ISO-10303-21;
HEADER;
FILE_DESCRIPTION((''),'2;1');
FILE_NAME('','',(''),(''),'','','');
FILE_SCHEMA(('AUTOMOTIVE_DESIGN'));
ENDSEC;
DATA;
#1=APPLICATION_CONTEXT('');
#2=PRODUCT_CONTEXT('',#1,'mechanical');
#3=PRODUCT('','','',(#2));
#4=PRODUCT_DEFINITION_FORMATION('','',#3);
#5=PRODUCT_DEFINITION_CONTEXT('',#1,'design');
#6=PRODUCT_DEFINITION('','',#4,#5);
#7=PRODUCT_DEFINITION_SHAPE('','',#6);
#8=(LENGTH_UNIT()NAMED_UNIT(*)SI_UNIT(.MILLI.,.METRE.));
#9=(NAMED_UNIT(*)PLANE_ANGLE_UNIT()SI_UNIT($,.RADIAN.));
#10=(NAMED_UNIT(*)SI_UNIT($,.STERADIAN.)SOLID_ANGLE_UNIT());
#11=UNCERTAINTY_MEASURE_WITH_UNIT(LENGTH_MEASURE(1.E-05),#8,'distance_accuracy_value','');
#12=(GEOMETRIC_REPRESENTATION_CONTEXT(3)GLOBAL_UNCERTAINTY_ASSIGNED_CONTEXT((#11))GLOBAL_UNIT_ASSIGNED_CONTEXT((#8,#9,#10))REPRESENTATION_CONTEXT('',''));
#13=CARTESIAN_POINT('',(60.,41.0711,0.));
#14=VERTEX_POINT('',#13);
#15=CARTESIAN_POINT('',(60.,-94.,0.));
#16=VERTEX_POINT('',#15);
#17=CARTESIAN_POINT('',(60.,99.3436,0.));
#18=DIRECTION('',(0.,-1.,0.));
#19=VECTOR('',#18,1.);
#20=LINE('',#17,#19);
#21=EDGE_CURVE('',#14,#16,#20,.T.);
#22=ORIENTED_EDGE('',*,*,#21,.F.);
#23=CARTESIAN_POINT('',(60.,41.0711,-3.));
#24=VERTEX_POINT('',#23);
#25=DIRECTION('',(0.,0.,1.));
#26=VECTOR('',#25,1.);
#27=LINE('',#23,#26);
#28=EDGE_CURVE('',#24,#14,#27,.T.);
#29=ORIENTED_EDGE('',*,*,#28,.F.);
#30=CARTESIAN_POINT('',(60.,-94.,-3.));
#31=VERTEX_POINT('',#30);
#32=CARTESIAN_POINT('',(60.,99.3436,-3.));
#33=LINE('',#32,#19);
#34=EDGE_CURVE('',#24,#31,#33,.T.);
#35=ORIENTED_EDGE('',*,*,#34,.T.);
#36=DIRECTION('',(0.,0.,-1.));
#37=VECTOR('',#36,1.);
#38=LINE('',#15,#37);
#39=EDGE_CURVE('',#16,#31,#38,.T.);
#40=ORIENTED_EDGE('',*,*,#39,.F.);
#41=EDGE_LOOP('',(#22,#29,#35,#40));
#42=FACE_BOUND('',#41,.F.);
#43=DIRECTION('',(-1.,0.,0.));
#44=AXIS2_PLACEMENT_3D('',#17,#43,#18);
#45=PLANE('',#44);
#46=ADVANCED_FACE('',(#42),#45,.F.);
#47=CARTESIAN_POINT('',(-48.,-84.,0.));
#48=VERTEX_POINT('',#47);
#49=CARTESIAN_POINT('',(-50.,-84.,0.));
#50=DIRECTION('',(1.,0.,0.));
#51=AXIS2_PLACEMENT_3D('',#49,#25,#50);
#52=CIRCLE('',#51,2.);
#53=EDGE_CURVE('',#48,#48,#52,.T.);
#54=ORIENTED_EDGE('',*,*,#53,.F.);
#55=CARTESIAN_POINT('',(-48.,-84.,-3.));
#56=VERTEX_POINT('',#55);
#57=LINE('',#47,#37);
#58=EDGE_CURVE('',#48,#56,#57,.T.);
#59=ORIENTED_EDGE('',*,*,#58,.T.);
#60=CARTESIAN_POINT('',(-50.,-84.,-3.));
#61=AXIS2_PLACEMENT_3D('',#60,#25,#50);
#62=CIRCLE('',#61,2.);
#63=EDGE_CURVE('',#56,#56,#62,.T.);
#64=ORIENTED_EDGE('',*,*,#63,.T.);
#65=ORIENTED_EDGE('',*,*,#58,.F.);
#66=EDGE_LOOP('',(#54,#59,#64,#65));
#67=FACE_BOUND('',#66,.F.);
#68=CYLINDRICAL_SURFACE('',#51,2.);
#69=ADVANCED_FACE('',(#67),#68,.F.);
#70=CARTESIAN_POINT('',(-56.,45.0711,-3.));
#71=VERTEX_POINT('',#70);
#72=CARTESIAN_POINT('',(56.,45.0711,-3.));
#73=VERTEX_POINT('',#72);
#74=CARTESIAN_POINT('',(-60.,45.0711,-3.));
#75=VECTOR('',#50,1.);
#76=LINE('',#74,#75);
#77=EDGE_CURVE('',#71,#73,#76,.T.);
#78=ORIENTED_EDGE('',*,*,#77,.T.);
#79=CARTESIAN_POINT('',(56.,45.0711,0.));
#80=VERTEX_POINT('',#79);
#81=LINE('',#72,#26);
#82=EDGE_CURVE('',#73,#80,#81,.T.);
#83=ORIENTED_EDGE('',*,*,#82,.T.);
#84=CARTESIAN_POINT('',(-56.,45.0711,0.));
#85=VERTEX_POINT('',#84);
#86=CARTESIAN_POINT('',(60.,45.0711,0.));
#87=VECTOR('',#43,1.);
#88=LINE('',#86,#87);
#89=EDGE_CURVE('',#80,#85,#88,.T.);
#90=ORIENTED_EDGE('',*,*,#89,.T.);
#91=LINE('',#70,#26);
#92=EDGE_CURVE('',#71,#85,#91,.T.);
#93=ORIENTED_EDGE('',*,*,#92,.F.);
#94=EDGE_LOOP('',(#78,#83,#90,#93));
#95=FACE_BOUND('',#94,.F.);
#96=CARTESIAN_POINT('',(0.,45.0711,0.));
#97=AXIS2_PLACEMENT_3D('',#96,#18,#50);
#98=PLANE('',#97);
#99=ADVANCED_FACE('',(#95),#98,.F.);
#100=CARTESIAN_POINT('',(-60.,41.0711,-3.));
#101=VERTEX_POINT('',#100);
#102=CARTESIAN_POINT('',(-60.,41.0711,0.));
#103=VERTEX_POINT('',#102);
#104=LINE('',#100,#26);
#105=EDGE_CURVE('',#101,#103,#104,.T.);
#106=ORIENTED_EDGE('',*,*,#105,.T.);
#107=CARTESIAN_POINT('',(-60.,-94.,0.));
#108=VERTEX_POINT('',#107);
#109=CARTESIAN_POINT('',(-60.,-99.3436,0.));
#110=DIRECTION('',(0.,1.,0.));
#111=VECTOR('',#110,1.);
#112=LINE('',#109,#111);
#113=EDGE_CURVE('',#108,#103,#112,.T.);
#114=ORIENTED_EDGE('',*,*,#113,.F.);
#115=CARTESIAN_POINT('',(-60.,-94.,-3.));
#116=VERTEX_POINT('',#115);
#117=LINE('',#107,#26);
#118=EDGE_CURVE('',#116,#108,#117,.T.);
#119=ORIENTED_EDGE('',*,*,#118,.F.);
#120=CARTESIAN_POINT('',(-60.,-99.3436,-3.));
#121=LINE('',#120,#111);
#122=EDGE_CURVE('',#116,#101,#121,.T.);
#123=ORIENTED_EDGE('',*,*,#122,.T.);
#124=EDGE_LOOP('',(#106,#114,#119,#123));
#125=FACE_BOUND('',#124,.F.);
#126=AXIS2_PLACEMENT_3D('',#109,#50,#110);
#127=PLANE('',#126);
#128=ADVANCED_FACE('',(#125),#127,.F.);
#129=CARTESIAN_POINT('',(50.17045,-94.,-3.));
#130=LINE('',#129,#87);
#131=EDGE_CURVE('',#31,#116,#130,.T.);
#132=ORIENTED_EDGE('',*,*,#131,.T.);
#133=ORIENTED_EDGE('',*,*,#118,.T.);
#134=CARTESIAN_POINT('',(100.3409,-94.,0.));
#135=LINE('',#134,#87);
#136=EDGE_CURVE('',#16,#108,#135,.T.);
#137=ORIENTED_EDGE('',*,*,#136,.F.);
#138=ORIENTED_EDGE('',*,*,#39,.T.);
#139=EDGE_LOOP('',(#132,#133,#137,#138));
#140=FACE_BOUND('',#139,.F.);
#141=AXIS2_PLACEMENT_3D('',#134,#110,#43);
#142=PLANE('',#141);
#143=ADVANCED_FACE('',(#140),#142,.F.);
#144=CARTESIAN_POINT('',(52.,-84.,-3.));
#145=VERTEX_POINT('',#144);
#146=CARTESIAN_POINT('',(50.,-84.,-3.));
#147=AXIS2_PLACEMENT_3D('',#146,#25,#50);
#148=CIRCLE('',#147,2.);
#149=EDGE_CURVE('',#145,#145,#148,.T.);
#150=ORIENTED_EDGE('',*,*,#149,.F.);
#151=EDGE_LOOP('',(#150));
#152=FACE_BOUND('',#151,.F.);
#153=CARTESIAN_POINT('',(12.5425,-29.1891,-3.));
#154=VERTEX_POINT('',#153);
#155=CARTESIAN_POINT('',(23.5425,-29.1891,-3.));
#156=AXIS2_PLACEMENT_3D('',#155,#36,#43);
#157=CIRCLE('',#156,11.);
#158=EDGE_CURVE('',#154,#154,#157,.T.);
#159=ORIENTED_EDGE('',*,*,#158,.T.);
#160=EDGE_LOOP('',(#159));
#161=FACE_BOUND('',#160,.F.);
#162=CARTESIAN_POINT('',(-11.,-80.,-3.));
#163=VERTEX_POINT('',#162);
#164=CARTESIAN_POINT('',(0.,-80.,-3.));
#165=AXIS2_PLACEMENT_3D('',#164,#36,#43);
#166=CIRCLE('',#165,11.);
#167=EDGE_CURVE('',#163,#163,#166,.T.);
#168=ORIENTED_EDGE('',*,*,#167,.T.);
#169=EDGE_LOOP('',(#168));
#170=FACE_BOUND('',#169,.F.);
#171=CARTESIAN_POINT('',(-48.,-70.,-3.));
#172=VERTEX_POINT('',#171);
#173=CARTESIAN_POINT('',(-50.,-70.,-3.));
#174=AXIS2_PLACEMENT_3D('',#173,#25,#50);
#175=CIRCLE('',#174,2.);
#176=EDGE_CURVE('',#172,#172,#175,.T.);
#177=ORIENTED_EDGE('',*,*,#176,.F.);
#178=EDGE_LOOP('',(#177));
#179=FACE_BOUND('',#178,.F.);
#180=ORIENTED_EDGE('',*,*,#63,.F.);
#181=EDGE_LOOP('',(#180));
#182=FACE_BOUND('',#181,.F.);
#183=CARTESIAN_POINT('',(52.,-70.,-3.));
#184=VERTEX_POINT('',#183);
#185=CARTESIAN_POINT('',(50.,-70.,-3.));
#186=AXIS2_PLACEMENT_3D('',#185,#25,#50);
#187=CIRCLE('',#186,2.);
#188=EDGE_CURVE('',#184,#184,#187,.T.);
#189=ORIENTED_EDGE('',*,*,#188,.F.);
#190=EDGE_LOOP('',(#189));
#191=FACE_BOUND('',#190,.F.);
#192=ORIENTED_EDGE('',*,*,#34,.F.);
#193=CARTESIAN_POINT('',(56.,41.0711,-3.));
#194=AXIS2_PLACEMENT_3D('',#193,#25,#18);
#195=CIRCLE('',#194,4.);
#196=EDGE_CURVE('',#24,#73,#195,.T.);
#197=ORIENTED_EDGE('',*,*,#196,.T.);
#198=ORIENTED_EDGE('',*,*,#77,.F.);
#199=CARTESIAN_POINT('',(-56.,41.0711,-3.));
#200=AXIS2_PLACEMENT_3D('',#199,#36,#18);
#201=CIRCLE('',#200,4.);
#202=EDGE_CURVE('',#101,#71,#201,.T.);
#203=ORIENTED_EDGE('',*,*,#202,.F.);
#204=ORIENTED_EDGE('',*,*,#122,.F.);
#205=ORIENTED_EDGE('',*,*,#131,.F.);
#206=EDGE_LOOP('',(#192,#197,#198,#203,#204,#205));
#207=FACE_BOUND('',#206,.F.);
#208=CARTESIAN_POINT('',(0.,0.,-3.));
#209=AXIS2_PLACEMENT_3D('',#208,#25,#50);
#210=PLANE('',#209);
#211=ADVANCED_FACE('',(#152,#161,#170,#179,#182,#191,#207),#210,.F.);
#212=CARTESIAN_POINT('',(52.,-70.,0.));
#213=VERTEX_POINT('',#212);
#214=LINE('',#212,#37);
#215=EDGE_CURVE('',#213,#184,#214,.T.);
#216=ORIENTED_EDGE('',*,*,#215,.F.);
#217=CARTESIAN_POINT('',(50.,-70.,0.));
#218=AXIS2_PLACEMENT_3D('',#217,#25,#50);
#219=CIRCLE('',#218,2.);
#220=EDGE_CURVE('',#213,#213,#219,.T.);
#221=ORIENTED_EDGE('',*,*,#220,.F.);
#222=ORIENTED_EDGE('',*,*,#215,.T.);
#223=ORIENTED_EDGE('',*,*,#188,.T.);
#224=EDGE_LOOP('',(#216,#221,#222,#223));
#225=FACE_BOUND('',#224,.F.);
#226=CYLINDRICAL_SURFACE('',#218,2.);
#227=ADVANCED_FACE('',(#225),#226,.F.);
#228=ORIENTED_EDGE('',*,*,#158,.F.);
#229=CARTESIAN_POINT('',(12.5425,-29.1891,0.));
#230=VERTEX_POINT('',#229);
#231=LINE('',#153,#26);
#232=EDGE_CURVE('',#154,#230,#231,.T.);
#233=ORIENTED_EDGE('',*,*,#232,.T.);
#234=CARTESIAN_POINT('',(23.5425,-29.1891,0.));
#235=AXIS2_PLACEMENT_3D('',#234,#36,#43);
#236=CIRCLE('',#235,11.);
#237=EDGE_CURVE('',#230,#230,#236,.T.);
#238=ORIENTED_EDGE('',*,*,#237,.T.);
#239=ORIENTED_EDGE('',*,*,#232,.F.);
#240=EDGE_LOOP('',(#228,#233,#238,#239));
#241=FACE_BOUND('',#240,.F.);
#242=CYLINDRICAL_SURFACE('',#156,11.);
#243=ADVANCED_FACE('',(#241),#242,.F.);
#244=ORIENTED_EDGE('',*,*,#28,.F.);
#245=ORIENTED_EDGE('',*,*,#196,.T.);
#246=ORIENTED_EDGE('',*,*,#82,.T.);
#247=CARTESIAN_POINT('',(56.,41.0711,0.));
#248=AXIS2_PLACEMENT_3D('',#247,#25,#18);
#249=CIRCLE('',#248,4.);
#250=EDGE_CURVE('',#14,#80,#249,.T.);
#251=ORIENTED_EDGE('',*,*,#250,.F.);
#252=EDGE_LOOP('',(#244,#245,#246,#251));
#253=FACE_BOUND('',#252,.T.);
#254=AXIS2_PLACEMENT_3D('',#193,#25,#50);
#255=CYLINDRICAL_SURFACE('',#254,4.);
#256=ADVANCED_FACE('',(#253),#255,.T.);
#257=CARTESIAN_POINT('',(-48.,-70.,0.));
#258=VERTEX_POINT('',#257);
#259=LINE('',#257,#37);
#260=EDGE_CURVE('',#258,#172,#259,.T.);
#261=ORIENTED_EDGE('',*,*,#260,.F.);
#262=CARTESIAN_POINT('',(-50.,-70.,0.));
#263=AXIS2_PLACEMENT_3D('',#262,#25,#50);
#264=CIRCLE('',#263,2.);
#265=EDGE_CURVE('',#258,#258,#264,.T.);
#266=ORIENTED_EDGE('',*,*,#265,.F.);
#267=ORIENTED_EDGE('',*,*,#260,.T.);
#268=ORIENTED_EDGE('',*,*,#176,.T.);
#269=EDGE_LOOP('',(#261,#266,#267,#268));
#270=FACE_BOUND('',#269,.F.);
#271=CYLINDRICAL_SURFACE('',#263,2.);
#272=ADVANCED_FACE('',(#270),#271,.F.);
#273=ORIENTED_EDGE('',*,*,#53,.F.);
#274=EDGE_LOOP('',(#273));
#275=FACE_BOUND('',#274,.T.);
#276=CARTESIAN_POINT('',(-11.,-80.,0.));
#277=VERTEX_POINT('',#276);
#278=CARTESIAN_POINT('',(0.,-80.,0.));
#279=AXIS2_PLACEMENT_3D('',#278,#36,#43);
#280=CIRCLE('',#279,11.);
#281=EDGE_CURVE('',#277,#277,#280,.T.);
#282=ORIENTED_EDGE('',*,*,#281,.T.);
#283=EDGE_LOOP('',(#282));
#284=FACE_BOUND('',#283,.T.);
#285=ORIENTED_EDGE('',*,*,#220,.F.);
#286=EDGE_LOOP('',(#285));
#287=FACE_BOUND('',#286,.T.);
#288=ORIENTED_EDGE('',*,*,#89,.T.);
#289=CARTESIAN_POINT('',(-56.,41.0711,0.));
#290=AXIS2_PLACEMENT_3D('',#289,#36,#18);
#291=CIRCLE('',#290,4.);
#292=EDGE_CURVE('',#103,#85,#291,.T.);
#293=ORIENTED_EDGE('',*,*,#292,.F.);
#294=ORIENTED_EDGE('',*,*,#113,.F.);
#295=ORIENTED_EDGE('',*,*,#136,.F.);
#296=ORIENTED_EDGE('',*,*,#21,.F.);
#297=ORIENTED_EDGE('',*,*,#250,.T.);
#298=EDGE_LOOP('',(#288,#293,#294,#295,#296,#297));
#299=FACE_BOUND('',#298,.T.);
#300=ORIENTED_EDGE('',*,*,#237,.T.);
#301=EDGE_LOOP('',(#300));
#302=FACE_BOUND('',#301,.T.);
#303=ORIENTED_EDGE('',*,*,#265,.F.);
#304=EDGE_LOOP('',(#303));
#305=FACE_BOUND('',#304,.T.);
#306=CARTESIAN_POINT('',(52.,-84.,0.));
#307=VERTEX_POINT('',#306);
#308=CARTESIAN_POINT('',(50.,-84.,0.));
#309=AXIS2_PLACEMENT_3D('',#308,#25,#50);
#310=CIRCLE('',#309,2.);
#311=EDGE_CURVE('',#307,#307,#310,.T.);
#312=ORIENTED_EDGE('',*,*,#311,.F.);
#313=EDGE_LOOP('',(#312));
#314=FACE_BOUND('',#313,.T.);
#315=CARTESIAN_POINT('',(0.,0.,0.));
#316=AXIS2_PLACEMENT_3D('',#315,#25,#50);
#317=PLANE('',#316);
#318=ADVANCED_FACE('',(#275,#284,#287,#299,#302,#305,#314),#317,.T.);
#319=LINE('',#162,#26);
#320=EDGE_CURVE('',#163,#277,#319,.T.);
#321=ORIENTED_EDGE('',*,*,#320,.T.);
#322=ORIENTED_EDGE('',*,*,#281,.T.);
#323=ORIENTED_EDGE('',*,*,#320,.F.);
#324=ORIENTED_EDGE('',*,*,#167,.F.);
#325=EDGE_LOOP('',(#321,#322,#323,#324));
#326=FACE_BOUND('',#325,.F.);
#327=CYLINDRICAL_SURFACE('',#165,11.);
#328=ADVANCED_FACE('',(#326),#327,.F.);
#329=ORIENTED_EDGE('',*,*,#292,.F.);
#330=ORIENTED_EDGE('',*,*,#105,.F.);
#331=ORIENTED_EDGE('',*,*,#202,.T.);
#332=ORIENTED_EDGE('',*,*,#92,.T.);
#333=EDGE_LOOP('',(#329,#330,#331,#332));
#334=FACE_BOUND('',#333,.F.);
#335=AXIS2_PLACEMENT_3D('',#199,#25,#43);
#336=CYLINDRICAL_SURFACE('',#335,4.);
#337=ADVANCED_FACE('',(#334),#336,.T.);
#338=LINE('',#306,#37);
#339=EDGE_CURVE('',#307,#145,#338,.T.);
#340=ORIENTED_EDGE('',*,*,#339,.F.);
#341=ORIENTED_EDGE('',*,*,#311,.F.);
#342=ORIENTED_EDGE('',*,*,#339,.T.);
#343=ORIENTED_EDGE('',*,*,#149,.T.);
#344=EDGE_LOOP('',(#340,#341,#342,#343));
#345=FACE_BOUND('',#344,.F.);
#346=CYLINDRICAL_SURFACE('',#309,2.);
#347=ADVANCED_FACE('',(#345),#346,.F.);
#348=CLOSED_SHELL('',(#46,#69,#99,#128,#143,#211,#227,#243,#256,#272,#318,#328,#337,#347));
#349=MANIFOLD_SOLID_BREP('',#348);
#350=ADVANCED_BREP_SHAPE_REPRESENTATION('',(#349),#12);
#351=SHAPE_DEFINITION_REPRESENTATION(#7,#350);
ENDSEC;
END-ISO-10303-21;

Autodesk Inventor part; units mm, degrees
ref_plane "YZ Plane" through (0, 0, 0) normal (1, 0, 0) x (0, 1, 0)
ref_plane "XZ Plane" through (0, 0, 0) normal (0, 1, 0) x (-1, 0, 0)
ref_plane "XY Plane" through (0, 0, 0) normal (0, 0, 1) x (1, 0, 0)
sketch "スケッチ1" plane through (0, 0, 0) normal (0, 0, 1) x (1, 0, 0)
  circle A0 centre (0, 0) radius 7.5
  circle A1 centre (0, 0) radius 30
  circle A2 centre (0, 0) radius 37.5
  circle A3 centre (23.5425, -29.1891) radius 30
  circle A4 centre (23.5425, -29.1891) radius 4
  circle A5 centre (23.5425, -29.1891) radius 16
  circle A6 centre (23.5425, -29.1891) radius 56
  circle A7 centre (0, -80) radius 40
  circle A8 centre (0, -80) radius 50
  circle A9 centre (0, -80) radius 4
  dimension "d57" = 75
  dimension "d64" = 112
  dimension "d41" = 15
  dimension "d58" = 8
  dimension "d63" = 32
  dimension "d65" = 100
  dimension "d66" = 8
sketch "スケッチ2" plane through (0, 0, 0) normal (0, 0, 1) x (1, 0, 0)
  line L0 (0, 0) -> (24.502, 0) construction
  line L1 (0, 0) -> (12.5, 0) construction
  line L2 (0, 0) -> (10.253, 10.253)
  line L3 (0, 0) -> (14.5, 0) construction
  line L4 (10.253, 10.253) -> (-10.253, -10.253)
  circle A0 centre (10.253, 10.253) radius 2
  circle A1 centre (-10.253, -10.253) radius 2
  circle A2 centre (0, 0) radius 7.5
  line L5 (0, 0) -> (28.1908, 10.2606)
  line L6 (0, 0) -> (30, 0) construction
  line L7 (0, 0) -> (-28.1908, 10.2606)
  line L8 (0, 0) -> (30, 0) construction
  circle A3 centre (-28.1908, 10.2606) radius 2.5
  line L9 (0, 0) -> (0, 30)
  circle A4 centre (0, 30) radius 2.5
  circle A5 centre (28.1908, 10.2606) radius 2.5
  dimension "d9" = 14.5
  dimension "d10" = 45
  dimension "d11" = 29
  dimension "d12" = 4
  dimension "d13" = 4
  dimension "d14" = 15
  dimension "d15" = 30
  dimension "d16" = 20
  dimension "d17" = 30
  dimension "d18" = 160
  dimension "d19" = 5
  dimension "d20" = 30
  dimension "d21" = 5
  dimension "d22" = 5
sketch "スケッチ3" plane through (0, 0, 0) normal (0, 0, 1) x (1, 0, 0)
  line L0 (60, -99.3436) -> (-60, -99.3436)
  line L1 (-60, -99.3436) -> (-60, 99.3436)
  line L2 (-60, 99.3436) -> (60, 99.3436)
  line L3 (60, 99.3436) -> (60, -99.3436)
  line L4 (60, -99.3436) -> (-60, 99.3436) construction
  line L5 (-60, -99.3436) -> (60, 99.3436) construction
  point P0 (0, 0)
  dimension "d25" = 120
extrude "押し出し1" add sketch "スケッチ3" against normal blind 3
sketch "スケッチ4" plane through (0, 0, 0) normal (0, 0, 1) x (1, 0, 0)
  line L0 (0, 45.0711) -> (68.3595, 45.0711)
  line L1 (68.3595, 45.0711) -> (-74.3824, 45.0711)
  line L2 (-74.3824, 45.0711) -> (108.1656, 45.0711)
  line L3 (108.1656, 45.0711) -> (108.1656, 129.4154)
  line L4 (108.1656, 129.4154) -> (-74.3824, 129.4154)
  line L5 (-74.3824, 129.4154) -> (-74.3824, 45.0711)
  point P0 (0, 0)
extrude "押し出し4" cut sketch "スケッチ4" against normal blind 10
fillet "フィレット1" radius 4 4 edges at (-60, 45.0711, -1.5) (60, 45.0711, -1.5) (-60, -99.3436, -1.5) (60, -99.3436, -1.5)
extrude "押し出し9" cut sketch "スケッチ1" against normal blind 10 contours A4 A2 | A2 A4 | A9 A6 | A6 A9
sketch "スケッチ8" plane through (0, 0, 0) normal (0, 0, 1) x (1, 0, 0)
  line L0 (-265.6992, -158.784) -> (100.3409, -158.784)
  line L1 (100.3409, -158.784) -> (100.3409, -94)
  line L2 (100.3409, -94) -> (-265.6992, -94)
  line L3 (-265.6992, -94) -> (-265.6992, -158.784)
  line L4 (-265.6992, -158.784) -> (100.3409, -94) construction
  line L5 (100.3409, -158.784) -> (-265.6992, -94) construction
  point P0 (0, 0)
  point P1 (0, -94)
  point P2 (-82.6791, -126.392)
extrude "押し出し10" cut sketch "スケッチ8" against normal blind 10
sketch "スケッチ9" plane through (0, 0, 0) normal (0, 0, 1) x (1, 0, 0)
  circle A0 centre (-50, -84) radius 2
  circle A1 centre (50, -84) radius 2
  circle A2 centre (-50, -70) radius 2
  circle A3 centre (50, -70) radius 2
  point P0 (0, 0)
  dimension "d73" = 4
  dimension "d74" = 4
  dimension "d75" = 4
  dimension "d76" = 4
extrude "押し出し12" cut sketch "スケッチ9" against normal blind 10
sketch "スケッチ10" plane through (0, 0, -3) normal (0, 0, -1) x (-1, 0, 0)
  circle A0 centre (-23.5425, -29.1891) radius 4 projected
  circle A1 centre (-23.5425, -29.1891) radius 11
  circle A2 centre (0, -80) radius 4 projected
  circle A3 centre (0, -80) radius 11
  point P0 (0, 0)
  dimension "d79" = 22
  dimension "d80" = 22
extrude "押し出し13" cut sketch "スケッチ10" against normal blind 10
properties part number "板3" material "アルミニウム 6061"
